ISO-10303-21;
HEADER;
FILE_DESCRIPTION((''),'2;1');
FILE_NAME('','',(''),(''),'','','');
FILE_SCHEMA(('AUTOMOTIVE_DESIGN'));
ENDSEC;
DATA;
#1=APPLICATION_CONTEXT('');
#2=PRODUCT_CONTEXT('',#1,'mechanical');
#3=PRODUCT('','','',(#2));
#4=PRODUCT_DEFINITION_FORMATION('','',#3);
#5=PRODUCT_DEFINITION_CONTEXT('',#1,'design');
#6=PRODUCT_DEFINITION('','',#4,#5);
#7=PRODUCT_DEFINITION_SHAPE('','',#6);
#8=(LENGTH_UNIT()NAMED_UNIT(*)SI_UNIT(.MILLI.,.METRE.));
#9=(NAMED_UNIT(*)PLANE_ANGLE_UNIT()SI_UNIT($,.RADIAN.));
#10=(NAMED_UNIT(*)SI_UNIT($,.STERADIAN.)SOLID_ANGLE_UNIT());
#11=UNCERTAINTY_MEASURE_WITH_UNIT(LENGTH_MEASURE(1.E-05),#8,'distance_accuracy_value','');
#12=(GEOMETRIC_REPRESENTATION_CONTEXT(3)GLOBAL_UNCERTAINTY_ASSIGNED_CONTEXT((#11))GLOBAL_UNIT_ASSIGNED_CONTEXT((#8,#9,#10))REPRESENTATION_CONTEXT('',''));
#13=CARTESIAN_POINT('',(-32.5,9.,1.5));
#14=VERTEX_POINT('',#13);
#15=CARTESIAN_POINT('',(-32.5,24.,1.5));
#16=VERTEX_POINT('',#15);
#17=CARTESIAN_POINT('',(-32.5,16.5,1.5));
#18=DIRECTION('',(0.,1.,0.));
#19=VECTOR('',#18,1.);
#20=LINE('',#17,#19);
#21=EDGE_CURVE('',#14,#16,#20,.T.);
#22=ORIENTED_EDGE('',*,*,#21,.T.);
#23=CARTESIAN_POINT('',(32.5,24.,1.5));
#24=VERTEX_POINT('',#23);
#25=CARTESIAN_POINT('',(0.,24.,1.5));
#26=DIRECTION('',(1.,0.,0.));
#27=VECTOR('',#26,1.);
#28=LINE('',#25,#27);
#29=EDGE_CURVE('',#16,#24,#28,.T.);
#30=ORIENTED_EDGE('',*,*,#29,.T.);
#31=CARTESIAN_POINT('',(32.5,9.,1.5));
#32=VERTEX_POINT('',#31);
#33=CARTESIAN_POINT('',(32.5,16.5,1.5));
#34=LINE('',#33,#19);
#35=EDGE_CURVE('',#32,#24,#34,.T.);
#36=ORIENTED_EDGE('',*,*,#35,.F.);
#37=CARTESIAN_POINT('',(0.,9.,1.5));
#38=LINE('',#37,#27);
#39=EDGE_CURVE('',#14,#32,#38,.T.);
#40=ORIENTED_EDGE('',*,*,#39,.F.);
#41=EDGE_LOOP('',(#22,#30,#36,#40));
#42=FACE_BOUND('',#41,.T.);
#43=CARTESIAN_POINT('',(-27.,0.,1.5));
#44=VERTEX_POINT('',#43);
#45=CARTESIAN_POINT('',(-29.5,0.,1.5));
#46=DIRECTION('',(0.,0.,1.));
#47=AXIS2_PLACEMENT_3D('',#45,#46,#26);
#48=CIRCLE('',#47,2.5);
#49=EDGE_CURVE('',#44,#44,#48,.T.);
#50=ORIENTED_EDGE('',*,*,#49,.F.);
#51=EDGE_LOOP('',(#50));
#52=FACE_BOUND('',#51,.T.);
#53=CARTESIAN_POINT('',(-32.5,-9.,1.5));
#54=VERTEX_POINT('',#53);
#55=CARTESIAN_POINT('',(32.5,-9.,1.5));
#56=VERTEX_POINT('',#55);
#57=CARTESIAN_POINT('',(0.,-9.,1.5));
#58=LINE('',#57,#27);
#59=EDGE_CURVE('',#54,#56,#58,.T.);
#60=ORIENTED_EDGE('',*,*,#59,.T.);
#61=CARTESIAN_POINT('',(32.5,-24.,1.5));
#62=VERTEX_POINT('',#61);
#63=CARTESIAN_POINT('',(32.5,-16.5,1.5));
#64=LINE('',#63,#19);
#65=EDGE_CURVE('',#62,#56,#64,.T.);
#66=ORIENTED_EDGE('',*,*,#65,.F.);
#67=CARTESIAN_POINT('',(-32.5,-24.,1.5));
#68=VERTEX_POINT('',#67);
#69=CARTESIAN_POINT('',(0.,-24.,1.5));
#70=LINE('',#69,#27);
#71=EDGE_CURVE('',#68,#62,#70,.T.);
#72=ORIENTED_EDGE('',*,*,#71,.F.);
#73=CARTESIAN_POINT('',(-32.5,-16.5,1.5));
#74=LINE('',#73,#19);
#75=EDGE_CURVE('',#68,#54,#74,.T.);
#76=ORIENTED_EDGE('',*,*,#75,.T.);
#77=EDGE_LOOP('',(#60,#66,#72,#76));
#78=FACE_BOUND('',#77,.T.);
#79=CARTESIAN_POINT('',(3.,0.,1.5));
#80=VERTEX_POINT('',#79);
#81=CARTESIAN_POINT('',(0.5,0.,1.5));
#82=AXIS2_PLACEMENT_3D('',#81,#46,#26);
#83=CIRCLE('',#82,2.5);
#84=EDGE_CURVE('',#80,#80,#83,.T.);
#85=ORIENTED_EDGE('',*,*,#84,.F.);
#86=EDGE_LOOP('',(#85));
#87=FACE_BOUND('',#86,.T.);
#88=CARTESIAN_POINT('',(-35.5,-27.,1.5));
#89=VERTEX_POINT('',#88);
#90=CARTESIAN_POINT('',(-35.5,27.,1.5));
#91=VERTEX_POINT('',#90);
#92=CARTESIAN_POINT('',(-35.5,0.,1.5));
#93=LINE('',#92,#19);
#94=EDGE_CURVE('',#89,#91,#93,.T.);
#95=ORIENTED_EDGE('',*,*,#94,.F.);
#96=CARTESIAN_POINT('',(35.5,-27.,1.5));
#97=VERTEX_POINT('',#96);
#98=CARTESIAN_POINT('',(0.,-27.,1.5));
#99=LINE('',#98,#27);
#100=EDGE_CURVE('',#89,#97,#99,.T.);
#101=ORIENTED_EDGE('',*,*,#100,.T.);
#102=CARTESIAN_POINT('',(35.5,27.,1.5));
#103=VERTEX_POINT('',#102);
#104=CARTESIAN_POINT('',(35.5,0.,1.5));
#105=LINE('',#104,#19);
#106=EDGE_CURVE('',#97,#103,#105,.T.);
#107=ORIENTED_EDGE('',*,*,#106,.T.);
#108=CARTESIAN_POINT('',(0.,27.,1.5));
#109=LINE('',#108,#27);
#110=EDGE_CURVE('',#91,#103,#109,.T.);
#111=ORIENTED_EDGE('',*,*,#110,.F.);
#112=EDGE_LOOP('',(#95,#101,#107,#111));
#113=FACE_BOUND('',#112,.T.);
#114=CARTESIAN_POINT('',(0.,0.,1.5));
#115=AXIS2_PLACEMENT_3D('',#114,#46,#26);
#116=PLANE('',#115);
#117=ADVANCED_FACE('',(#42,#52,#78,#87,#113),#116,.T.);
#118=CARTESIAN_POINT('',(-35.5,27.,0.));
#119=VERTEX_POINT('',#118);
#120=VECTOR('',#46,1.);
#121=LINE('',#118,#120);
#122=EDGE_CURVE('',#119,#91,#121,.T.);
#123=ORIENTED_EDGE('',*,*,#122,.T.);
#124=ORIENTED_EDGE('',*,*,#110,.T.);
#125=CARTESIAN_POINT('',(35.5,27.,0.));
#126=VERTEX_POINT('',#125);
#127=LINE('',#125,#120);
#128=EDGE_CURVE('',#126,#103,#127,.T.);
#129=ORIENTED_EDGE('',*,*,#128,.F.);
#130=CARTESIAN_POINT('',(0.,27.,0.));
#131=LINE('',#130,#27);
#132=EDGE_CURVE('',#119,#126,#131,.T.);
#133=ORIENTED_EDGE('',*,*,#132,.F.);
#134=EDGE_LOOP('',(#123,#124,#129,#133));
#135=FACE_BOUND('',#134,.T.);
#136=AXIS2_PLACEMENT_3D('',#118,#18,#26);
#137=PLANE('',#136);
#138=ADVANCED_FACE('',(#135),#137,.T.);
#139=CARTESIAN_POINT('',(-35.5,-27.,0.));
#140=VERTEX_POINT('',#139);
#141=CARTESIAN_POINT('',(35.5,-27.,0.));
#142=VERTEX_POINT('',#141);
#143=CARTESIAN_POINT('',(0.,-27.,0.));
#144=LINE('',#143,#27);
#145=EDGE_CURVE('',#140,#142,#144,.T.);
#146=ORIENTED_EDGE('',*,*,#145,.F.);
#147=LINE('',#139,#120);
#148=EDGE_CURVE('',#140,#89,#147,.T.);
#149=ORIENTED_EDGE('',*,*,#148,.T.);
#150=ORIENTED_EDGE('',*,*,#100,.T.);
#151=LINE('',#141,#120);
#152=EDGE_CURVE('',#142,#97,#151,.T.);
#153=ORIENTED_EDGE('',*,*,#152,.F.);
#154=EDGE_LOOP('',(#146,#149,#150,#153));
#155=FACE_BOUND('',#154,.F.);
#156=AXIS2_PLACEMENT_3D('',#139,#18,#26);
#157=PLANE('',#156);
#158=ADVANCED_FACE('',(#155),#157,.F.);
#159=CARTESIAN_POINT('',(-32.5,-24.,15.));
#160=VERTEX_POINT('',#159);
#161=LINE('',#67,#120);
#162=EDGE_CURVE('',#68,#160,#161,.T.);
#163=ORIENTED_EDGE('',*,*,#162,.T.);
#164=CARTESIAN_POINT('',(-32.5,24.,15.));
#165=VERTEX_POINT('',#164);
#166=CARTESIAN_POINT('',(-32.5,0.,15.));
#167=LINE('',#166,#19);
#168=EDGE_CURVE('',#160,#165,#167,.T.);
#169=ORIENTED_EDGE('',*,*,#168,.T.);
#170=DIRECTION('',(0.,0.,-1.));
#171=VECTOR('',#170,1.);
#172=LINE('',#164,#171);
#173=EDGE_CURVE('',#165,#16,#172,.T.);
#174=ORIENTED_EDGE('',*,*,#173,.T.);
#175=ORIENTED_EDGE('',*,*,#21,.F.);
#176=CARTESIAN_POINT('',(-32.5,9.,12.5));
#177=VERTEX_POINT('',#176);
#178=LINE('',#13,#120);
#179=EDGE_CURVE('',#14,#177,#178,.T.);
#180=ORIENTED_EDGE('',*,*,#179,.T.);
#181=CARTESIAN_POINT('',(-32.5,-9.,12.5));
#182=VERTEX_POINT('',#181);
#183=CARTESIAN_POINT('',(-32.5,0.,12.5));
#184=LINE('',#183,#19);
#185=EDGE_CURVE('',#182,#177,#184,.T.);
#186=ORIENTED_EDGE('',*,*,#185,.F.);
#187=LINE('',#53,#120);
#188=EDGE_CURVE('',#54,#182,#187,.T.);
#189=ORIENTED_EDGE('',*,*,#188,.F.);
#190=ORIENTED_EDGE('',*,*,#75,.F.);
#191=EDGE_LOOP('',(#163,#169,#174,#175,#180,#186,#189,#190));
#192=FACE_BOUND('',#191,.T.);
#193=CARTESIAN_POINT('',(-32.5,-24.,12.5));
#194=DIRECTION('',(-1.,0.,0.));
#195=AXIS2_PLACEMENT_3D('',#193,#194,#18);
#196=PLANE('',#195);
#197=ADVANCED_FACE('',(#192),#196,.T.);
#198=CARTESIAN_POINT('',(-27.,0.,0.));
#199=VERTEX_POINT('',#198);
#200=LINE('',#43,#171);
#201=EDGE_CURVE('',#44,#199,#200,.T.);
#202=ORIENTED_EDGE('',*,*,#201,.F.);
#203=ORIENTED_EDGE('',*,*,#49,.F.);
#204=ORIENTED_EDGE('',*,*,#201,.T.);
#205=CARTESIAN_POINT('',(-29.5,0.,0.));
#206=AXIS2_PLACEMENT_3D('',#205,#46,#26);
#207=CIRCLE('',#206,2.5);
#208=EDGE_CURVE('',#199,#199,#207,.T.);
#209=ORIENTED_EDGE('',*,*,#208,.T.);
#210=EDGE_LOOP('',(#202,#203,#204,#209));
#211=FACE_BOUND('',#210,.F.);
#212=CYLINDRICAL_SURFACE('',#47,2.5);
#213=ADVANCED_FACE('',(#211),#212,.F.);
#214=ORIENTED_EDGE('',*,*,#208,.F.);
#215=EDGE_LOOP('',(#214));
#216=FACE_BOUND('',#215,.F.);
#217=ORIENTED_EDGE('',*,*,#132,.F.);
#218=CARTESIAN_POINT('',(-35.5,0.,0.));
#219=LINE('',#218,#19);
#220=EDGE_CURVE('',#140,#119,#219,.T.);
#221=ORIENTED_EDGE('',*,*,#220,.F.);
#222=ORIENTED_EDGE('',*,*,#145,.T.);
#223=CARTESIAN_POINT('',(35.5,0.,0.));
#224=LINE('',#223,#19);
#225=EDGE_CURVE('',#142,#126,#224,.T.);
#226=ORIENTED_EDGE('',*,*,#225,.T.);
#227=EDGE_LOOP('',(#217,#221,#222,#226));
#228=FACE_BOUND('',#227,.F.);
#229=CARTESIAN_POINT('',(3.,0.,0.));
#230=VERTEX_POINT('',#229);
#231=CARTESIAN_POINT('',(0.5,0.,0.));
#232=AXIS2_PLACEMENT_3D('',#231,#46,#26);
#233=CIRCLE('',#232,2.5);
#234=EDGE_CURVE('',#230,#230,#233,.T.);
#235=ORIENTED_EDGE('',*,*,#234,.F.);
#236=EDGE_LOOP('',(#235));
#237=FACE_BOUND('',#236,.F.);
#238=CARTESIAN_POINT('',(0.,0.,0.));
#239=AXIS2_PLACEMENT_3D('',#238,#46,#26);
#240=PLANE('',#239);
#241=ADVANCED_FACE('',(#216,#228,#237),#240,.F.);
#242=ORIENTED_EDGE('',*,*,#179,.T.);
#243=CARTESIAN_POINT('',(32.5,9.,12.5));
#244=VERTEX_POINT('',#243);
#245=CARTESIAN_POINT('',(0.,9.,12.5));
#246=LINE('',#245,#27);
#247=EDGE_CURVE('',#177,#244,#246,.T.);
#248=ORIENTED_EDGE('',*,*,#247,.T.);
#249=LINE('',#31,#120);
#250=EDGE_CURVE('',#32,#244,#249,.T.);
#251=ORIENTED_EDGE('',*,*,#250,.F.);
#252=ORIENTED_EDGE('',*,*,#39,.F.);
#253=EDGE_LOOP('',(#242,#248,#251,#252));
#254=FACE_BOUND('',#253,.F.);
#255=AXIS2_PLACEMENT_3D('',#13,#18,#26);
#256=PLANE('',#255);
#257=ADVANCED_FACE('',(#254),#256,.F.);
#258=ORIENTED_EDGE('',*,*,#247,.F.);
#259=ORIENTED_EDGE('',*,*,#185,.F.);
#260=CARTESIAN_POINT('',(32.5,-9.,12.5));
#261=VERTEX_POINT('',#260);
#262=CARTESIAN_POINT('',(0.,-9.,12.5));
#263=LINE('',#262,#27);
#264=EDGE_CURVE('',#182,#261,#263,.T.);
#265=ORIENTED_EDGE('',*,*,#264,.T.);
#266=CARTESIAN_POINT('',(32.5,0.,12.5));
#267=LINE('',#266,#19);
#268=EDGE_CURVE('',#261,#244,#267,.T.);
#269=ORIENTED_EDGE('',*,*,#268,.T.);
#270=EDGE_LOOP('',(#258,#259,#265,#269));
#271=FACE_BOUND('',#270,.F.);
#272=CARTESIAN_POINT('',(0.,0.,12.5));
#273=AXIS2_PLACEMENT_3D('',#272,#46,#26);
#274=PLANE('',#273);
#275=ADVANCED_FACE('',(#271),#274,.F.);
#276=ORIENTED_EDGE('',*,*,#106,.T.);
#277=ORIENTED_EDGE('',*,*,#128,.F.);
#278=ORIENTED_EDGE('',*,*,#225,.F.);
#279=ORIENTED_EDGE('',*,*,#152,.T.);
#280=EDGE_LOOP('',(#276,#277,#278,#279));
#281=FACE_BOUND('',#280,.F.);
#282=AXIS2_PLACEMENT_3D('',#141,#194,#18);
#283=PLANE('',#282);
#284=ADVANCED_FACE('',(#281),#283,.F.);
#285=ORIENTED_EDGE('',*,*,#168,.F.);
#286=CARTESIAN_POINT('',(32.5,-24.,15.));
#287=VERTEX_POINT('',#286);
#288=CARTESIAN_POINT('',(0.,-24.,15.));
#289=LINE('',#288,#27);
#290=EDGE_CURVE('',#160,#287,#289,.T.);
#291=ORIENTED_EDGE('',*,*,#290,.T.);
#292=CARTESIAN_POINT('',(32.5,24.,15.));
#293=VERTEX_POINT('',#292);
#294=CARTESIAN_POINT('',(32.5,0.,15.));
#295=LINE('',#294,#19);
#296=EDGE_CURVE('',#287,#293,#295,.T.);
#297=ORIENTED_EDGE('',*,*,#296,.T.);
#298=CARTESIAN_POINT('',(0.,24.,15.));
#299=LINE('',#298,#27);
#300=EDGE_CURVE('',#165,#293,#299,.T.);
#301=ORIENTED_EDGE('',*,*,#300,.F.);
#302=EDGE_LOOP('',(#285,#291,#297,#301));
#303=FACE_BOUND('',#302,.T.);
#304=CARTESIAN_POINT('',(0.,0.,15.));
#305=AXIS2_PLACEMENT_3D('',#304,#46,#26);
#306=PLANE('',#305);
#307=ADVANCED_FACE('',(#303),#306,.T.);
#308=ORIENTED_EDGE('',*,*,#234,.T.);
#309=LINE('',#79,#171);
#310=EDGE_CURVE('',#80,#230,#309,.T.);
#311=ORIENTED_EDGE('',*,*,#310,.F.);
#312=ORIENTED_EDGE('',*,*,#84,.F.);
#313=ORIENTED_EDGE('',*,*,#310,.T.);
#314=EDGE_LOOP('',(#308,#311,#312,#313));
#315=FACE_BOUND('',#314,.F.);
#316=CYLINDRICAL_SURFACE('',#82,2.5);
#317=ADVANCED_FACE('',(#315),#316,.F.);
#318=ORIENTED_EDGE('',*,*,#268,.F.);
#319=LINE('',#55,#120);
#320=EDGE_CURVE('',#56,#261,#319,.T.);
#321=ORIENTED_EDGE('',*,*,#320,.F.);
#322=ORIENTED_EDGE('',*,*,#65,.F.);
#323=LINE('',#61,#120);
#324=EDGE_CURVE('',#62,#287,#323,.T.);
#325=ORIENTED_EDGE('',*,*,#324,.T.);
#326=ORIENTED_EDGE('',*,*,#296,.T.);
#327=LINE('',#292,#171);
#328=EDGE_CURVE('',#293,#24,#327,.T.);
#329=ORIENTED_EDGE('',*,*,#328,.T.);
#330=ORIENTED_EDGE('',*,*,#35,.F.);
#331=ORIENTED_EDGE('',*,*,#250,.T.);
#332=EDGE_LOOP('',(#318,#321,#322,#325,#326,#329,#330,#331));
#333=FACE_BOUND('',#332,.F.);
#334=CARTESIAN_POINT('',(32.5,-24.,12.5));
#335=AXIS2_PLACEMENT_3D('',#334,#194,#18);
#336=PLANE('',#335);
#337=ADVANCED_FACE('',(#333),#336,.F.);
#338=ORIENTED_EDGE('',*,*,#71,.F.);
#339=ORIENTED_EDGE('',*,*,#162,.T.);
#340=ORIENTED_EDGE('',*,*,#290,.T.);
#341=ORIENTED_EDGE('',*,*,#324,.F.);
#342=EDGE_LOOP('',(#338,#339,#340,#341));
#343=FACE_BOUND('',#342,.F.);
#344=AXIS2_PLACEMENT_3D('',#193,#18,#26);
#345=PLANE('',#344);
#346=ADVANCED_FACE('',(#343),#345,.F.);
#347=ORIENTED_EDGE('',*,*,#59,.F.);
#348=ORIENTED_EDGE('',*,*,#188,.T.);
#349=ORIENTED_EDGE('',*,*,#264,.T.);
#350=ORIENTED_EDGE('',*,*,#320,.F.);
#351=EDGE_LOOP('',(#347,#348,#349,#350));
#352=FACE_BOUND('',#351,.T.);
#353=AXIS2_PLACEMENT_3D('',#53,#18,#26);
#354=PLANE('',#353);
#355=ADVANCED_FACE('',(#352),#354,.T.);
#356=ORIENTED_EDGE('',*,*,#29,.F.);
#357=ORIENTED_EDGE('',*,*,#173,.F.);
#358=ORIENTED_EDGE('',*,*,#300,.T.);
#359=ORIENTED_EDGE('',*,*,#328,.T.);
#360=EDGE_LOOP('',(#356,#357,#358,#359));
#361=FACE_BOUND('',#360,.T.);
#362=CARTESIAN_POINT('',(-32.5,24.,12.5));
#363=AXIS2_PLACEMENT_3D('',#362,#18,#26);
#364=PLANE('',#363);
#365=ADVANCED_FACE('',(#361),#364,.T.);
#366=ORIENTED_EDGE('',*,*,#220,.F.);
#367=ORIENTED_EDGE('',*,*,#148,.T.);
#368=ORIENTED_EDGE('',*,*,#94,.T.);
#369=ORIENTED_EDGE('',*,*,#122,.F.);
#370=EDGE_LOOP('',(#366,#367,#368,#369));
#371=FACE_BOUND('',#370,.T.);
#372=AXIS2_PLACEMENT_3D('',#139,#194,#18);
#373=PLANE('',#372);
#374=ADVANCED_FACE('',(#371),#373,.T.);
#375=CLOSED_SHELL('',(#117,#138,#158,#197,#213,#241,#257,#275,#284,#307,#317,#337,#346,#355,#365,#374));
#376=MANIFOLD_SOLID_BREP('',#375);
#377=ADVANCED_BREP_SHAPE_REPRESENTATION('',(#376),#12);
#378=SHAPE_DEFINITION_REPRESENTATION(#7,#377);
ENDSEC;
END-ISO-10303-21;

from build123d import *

# Parameters (mm, degrees)
F0_W     = 71
F0_H     = 54
F1_DEPTH = 1.5
F2_R     = 2.5
F3_DEPTH = 25
F4_W     = 65
F4_H     = 15
F5_DEPTH = 11
F6_W     = 65
F6_H     = 48
F7_DEPTH = 2.5


with BuildPart() as f1:
    # F0 (on Top) → F1 (new body)
    with BuildSketch(Plane.XY):
        Rectangle(F0_W, F0_H)
    extrude(amount=F1_DEPTH)

    # F2 (on face) → F3 (cut)
    with BuildSketch(Plane.XY.offset(1.5)):
        with Locations((-29.5, 0)):
            Circle(F2_R)
        with Locations((0.5, 0)):
            Circle(F2_R)
    extrude(amount=-F3_DEPTH, mode=Mode.SUBTRACT)

    # F4 (on face) → F5 (join)
    with BuildSketch(Plane.XY.offset(1.5)):
        with Locations((0, 16.5)):
            Rectangle(F4_W, F4_H)
        with Locations((0, -16.5)):
            Rectangle(F4_W, F4_H)
    extrude(amount=F5_DEPTH)

    # F6 (on face) → F7 (join)
    with BuildSketch(Plane.XY.offset(12.5)):
        Rectangle(F6_W, F6_H)
    extrude(amount=F7_DEPTH)


solid = f1.part
